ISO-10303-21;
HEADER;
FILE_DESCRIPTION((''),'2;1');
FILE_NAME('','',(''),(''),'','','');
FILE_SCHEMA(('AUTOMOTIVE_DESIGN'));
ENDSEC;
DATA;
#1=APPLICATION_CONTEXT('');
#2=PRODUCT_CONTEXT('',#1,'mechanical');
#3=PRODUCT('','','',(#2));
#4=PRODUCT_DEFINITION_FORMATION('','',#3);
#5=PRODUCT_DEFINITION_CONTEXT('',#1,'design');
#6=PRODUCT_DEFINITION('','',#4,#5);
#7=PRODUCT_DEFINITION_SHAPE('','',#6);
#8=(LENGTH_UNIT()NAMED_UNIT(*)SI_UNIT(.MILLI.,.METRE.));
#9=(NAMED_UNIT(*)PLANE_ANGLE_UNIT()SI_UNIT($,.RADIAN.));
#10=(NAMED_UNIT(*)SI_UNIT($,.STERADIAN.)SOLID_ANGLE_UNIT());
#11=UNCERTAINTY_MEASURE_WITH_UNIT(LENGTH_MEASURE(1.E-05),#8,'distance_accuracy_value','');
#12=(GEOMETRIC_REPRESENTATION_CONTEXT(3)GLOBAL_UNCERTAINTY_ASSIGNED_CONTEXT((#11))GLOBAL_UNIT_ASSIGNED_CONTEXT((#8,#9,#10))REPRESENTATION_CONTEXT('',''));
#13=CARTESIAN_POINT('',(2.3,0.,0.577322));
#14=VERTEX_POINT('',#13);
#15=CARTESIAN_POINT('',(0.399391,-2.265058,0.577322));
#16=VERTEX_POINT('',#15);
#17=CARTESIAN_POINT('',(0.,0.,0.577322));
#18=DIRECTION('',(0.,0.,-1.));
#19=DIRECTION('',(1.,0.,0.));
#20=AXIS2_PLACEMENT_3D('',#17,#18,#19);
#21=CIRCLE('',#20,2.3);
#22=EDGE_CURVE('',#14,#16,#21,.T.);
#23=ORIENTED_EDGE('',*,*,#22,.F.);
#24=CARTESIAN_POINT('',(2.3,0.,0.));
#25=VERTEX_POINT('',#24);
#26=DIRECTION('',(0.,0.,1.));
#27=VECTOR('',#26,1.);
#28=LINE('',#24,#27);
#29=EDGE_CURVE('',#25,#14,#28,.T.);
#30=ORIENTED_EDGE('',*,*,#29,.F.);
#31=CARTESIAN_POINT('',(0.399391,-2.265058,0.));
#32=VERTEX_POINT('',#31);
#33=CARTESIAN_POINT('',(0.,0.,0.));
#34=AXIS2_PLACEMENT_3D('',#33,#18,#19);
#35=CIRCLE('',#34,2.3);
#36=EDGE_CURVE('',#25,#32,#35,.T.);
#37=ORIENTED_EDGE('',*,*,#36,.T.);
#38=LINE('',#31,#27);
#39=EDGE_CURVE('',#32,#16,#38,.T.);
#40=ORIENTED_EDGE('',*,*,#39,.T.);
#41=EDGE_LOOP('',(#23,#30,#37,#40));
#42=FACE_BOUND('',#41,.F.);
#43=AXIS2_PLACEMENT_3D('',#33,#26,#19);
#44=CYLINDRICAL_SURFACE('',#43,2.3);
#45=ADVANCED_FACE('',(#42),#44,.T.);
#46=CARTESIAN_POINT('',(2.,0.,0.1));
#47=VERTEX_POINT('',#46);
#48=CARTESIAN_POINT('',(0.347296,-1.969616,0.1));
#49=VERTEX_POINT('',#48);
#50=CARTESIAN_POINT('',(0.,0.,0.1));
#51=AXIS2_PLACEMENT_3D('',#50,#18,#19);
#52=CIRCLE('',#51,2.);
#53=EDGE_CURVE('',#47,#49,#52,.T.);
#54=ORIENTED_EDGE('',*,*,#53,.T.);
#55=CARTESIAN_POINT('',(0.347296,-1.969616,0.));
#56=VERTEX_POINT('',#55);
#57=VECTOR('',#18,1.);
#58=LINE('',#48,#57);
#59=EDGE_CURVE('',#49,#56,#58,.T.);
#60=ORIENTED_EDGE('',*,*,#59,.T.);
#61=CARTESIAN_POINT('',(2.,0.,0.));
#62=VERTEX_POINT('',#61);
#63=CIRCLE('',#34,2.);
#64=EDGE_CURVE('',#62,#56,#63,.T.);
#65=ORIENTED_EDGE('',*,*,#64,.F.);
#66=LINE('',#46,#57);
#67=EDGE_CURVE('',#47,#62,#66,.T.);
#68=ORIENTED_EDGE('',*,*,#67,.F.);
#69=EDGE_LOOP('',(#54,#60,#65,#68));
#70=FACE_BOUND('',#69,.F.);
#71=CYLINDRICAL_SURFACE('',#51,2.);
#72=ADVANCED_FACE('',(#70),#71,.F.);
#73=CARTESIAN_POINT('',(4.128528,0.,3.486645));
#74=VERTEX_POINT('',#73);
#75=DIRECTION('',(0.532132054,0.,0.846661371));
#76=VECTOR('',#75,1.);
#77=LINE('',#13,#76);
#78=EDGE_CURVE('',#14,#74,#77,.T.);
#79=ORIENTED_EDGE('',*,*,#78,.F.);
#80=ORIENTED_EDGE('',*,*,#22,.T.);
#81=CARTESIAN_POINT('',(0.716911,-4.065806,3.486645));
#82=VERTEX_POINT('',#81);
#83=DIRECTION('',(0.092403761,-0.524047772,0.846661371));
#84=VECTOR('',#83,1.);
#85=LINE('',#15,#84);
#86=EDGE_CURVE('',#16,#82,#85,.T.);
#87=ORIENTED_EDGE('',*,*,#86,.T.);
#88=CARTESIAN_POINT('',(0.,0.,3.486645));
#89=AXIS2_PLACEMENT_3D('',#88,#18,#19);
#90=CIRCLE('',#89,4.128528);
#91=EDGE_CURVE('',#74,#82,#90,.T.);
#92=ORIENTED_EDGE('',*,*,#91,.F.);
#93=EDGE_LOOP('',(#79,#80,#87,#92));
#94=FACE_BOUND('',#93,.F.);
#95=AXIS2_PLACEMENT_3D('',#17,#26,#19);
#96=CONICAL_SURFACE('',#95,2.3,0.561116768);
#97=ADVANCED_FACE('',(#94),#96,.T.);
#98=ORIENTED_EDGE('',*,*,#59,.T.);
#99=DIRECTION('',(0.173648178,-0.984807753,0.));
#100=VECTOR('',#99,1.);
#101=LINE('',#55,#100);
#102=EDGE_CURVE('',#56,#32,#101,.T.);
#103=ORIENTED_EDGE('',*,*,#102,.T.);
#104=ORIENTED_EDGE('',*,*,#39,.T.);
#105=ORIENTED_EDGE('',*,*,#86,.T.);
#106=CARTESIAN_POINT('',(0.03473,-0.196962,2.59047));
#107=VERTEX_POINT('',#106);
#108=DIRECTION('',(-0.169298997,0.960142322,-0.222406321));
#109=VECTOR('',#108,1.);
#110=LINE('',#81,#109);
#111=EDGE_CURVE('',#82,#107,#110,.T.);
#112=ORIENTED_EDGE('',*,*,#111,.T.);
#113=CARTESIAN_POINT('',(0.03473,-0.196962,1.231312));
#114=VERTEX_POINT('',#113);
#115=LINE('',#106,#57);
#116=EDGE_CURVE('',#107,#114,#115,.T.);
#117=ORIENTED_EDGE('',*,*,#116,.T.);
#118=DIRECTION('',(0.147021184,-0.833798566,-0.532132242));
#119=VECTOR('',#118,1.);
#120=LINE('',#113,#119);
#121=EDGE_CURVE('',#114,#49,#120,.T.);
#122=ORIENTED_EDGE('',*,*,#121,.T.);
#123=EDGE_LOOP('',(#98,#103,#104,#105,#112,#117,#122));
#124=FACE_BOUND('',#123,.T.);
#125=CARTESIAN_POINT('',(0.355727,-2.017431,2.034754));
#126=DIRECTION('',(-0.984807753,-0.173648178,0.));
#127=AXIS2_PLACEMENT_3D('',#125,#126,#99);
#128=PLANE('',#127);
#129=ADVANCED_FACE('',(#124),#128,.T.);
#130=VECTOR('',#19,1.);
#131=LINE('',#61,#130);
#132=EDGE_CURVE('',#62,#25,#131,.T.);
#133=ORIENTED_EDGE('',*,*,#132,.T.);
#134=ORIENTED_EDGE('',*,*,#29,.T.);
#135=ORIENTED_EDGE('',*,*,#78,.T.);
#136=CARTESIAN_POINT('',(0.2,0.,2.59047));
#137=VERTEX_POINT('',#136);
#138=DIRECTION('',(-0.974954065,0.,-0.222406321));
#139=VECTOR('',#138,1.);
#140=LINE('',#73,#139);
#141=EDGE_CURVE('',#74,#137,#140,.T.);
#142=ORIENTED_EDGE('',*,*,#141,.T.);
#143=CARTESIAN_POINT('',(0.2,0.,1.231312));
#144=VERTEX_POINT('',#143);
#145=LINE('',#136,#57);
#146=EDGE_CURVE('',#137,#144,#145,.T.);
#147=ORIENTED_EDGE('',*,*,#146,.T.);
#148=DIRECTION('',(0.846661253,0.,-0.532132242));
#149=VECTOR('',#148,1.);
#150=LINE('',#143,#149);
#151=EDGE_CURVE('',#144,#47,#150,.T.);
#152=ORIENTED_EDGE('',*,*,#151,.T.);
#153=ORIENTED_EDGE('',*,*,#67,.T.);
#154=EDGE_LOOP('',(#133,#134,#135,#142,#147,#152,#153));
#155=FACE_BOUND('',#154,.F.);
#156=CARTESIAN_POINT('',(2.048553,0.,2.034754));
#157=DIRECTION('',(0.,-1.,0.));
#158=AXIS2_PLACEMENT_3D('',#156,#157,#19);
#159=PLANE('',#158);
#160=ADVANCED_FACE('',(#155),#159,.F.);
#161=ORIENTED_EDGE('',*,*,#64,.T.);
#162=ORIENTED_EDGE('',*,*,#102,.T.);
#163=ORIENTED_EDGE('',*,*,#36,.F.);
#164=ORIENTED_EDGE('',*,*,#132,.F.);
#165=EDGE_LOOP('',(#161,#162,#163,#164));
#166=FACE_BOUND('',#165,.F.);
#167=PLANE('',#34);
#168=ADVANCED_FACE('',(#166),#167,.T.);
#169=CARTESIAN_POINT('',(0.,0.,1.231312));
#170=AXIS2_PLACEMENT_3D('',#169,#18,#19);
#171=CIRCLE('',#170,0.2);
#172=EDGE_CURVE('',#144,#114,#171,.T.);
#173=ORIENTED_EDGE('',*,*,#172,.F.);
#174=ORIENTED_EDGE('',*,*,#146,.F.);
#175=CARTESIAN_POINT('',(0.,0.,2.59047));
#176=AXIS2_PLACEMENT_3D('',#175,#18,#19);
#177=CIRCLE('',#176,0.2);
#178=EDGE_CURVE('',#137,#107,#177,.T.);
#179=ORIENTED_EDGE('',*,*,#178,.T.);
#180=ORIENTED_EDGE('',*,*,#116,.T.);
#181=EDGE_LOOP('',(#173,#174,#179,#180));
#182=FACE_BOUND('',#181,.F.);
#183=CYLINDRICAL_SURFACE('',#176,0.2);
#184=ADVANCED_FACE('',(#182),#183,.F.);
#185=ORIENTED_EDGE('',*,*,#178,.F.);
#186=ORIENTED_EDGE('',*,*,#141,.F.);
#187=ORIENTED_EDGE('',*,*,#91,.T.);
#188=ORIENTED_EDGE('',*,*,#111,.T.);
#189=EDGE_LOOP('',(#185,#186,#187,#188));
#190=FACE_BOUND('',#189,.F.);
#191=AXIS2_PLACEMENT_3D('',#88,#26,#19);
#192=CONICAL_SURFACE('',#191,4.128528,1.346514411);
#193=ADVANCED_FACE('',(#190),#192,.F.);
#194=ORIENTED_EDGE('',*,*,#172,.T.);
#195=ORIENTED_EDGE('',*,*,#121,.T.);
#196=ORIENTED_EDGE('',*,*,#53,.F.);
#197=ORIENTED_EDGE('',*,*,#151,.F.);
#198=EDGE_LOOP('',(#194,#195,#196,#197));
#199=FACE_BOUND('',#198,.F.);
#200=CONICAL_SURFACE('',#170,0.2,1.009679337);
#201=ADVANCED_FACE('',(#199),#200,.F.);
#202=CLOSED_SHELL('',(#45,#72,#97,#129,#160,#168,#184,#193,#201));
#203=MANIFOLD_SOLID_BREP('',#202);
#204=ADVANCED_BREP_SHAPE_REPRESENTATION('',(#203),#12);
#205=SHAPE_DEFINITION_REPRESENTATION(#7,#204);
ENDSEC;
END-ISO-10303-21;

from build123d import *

# Parameters (mm, degrees)
F1_ANGLE = 80


with BuildPart() as f1:
    # F0 (on Front) → F1 (revolve)
    with BuildSketch(Plane.XZ):
        Polygon((0.2, 1.231312), (2, 0.1), (2.3, 0.577322), (4.128528, 3.486645), (0.2, 2.59047), align=None)
        Polygon((2.3, 0.577322), (2, 0.1), (2, 0), (2.3, 0), align=None)
    revolve(axis=Axis((0, 0, -1), (0, 0, -1)), revolution_arc=F1_ANGLE)


solid = f1.part
